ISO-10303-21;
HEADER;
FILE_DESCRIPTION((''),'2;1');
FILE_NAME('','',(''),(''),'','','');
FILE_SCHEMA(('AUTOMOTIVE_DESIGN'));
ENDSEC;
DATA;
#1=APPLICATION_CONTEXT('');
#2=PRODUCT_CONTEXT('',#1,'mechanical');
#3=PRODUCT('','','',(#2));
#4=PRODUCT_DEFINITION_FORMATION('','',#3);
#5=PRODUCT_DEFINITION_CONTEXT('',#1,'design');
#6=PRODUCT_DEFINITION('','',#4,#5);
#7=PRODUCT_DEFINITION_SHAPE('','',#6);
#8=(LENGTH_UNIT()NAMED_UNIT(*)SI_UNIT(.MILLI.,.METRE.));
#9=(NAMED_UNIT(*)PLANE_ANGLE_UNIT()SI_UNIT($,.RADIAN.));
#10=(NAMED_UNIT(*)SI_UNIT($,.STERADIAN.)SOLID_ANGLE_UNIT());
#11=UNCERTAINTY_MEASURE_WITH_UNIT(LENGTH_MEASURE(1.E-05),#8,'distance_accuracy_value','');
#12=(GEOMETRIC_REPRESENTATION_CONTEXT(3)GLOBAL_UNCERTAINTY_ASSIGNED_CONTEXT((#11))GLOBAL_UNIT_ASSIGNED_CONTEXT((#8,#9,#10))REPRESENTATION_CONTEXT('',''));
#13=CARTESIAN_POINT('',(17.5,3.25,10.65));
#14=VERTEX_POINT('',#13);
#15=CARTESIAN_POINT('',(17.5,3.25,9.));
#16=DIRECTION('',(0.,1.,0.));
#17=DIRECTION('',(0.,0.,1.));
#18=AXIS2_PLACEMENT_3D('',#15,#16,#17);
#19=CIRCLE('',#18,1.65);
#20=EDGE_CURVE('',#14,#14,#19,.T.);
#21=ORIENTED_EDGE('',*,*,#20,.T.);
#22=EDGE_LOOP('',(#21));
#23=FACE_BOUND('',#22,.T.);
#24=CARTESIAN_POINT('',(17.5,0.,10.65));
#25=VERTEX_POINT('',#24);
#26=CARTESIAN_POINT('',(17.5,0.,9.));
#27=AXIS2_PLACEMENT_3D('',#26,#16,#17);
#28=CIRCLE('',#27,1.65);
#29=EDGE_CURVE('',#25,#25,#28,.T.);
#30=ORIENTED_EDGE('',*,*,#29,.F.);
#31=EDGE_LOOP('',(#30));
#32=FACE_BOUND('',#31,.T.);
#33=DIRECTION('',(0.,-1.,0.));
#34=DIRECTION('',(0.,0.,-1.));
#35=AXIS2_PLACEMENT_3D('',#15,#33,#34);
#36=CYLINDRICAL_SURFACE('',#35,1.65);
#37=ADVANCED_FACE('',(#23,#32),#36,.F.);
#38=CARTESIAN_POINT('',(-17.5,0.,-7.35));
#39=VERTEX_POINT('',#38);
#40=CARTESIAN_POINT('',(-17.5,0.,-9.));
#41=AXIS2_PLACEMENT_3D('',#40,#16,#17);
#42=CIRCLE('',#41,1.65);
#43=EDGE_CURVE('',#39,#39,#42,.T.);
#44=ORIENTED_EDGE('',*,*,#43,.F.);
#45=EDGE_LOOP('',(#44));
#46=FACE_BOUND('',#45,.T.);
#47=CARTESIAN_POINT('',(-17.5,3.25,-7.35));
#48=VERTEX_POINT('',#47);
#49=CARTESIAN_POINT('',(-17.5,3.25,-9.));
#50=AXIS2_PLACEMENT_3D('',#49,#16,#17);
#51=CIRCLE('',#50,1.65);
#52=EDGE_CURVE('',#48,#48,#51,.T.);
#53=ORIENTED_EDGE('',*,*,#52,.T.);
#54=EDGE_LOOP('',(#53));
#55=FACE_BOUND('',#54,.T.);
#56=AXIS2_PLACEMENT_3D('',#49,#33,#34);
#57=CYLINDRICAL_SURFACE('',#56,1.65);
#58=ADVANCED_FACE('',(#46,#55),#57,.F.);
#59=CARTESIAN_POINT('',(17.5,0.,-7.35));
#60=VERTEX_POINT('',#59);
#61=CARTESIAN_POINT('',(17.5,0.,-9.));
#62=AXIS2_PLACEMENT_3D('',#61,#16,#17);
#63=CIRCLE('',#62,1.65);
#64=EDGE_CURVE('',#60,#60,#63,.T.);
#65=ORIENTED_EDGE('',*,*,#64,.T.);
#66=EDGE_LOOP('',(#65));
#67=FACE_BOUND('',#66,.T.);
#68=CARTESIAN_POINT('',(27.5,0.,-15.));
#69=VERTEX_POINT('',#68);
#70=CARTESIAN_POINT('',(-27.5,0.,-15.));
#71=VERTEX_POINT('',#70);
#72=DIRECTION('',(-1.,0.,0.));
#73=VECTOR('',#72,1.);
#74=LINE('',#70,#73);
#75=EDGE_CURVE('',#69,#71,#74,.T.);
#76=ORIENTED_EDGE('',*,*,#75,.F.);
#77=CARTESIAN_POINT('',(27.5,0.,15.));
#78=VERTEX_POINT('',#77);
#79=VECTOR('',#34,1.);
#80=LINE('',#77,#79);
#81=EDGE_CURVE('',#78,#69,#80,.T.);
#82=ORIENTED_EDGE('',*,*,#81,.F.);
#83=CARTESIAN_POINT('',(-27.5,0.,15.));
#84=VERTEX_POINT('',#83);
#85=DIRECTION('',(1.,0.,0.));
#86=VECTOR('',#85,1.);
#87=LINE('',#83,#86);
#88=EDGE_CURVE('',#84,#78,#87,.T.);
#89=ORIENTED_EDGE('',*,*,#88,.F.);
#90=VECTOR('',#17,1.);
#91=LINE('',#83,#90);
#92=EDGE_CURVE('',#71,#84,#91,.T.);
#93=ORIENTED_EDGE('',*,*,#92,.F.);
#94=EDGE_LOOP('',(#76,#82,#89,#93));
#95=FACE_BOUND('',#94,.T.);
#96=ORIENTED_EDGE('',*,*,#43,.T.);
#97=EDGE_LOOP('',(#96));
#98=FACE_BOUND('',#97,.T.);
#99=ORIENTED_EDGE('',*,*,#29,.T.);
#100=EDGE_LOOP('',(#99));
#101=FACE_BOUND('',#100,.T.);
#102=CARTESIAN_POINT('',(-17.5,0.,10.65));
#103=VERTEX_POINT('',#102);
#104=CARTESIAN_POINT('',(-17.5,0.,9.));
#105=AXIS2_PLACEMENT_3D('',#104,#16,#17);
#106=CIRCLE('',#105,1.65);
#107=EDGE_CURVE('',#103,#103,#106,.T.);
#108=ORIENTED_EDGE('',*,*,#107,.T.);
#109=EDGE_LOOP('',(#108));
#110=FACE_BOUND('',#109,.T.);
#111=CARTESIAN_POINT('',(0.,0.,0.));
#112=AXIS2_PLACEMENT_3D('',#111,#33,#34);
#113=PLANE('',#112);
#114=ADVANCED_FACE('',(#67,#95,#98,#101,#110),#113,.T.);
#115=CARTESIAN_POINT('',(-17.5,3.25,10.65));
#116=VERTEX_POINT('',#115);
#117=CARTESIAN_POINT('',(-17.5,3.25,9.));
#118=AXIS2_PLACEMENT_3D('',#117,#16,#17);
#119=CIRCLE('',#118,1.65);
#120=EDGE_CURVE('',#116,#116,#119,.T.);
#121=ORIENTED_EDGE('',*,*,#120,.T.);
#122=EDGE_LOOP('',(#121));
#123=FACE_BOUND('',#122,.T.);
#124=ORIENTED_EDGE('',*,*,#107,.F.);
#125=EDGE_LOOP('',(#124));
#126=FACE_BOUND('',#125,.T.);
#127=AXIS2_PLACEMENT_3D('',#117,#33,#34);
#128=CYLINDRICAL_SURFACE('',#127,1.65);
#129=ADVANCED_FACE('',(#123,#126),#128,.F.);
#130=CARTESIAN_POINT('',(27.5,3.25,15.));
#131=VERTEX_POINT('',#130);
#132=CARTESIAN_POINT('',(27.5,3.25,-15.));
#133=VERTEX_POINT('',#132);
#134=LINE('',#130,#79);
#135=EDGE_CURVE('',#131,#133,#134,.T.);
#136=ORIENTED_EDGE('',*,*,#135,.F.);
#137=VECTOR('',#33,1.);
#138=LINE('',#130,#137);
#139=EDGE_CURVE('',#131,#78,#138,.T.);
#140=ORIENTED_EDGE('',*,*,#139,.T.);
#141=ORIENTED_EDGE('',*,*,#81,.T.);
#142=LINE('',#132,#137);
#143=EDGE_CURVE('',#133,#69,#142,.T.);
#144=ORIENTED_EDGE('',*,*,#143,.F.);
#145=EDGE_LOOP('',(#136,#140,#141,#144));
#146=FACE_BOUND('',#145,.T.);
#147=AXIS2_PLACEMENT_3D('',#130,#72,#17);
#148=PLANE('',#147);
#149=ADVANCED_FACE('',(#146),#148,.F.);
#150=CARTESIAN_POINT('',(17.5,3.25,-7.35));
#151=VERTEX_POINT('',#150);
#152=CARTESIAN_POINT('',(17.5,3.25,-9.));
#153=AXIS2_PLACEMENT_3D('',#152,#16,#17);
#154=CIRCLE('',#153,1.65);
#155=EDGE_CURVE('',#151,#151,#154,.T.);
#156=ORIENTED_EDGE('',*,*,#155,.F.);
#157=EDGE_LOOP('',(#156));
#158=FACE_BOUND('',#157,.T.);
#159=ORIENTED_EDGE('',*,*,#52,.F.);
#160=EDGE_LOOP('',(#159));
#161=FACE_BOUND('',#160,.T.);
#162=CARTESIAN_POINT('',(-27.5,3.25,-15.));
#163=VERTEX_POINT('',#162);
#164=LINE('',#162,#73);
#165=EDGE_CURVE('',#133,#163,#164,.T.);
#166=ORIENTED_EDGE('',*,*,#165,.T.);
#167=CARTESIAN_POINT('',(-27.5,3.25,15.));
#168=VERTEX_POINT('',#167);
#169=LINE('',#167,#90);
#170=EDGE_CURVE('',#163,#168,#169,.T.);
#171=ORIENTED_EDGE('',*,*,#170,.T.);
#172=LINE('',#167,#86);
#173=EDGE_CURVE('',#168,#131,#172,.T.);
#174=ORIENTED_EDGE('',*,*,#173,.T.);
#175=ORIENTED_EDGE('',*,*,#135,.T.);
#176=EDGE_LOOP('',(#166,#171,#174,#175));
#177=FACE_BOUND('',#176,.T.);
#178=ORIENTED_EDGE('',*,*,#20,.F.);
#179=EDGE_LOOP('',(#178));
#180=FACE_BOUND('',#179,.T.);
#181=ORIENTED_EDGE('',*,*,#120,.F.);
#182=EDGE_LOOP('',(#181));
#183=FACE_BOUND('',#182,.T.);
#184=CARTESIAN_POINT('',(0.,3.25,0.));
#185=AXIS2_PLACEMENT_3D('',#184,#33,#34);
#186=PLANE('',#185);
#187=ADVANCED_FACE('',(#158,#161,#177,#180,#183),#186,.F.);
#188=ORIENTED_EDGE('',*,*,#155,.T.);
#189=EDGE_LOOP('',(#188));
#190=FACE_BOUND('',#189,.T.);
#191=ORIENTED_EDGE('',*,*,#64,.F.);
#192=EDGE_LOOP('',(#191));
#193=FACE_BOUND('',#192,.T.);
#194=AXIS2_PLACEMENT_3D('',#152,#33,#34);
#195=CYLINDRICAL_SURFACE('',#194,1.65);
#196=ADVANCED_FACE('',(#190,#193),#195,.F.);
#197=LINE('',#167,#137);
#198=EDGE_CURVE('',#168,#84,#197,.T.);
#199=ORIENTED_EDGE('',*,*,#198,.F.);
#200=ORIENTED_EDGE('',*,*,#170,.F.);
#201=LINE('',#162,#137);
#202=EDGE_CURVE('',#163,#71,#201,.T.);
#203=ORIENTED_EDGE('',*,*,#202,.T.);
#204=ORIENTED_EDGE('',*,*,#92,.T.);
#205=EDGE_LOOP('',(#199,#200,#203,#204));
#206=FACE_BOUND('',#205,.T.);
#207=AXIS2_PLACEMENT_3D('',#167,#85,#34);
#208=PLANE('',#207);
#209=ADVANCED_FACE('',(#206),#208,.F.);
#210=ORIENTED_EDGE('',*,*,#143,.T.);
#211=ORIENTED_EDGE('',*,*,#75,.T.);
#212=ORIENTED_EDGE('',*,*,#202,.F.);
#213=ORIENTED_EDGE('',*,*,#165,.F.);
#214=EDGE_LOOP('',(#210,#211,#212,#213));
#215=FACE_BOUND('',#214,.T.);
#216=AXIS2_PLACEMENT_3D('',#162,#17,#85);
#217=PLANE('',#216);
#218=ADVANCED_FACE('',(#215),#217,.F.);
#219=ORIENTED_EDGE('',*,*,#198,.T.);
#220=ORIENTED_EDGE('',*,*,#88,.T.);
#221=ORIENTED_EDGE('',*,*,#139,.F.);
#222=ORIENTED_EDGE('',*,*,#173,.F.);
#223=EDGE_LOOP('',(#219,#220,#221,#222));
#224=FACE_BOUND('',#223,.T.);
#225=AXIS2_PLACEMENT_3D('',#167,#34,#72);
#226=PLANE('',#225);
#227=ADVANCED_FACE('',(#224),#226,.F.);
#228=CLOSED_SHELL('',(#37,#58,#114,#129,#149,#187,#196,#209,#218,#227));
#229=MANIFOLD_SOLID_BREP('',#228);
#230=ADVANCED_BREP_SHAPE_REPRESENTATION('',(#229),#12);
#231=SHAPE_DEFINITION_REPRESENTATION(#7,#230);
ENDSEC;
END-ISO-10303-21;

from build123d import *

# Parameters (mm, degrees)
SKETCH1_W           = 55
SKETCH1_H           = 30
SKETCH1_R           = 1.65
BOSS_EXTRUDE1_DEPTH = 3.25


with BuildPart() as part:
    # Sketch1 → Boss-Extrude1 (new body)
    with BuildSketch(Plane(origin=(0, 0, 0), x_dir=(1, 0, 0), z_dir=(0, 1, 0))):
        Rectangle(SKETCH1_W, SKETCH1_H)
        with Locations((-17.5, 9)):
            Circle(SKETCH1_R, mode=Mode.SUBTRACT)
        with Locations((17.5, 9)):
            Circle(SKETCH1_R, mode=Mode.SUBTRACT)
        with Locations((17.5, -9)):
            Circle(SKETCH1_R, mode=Mode.SUBTRACT)
        with Locations((-17.5, -9)):
            Circle(SKETCH1_R, mode=Mode.SUBTRACT)
    extrude(amount=BOSS_EXTRUDE1_DEPTH)


solid = part.part
